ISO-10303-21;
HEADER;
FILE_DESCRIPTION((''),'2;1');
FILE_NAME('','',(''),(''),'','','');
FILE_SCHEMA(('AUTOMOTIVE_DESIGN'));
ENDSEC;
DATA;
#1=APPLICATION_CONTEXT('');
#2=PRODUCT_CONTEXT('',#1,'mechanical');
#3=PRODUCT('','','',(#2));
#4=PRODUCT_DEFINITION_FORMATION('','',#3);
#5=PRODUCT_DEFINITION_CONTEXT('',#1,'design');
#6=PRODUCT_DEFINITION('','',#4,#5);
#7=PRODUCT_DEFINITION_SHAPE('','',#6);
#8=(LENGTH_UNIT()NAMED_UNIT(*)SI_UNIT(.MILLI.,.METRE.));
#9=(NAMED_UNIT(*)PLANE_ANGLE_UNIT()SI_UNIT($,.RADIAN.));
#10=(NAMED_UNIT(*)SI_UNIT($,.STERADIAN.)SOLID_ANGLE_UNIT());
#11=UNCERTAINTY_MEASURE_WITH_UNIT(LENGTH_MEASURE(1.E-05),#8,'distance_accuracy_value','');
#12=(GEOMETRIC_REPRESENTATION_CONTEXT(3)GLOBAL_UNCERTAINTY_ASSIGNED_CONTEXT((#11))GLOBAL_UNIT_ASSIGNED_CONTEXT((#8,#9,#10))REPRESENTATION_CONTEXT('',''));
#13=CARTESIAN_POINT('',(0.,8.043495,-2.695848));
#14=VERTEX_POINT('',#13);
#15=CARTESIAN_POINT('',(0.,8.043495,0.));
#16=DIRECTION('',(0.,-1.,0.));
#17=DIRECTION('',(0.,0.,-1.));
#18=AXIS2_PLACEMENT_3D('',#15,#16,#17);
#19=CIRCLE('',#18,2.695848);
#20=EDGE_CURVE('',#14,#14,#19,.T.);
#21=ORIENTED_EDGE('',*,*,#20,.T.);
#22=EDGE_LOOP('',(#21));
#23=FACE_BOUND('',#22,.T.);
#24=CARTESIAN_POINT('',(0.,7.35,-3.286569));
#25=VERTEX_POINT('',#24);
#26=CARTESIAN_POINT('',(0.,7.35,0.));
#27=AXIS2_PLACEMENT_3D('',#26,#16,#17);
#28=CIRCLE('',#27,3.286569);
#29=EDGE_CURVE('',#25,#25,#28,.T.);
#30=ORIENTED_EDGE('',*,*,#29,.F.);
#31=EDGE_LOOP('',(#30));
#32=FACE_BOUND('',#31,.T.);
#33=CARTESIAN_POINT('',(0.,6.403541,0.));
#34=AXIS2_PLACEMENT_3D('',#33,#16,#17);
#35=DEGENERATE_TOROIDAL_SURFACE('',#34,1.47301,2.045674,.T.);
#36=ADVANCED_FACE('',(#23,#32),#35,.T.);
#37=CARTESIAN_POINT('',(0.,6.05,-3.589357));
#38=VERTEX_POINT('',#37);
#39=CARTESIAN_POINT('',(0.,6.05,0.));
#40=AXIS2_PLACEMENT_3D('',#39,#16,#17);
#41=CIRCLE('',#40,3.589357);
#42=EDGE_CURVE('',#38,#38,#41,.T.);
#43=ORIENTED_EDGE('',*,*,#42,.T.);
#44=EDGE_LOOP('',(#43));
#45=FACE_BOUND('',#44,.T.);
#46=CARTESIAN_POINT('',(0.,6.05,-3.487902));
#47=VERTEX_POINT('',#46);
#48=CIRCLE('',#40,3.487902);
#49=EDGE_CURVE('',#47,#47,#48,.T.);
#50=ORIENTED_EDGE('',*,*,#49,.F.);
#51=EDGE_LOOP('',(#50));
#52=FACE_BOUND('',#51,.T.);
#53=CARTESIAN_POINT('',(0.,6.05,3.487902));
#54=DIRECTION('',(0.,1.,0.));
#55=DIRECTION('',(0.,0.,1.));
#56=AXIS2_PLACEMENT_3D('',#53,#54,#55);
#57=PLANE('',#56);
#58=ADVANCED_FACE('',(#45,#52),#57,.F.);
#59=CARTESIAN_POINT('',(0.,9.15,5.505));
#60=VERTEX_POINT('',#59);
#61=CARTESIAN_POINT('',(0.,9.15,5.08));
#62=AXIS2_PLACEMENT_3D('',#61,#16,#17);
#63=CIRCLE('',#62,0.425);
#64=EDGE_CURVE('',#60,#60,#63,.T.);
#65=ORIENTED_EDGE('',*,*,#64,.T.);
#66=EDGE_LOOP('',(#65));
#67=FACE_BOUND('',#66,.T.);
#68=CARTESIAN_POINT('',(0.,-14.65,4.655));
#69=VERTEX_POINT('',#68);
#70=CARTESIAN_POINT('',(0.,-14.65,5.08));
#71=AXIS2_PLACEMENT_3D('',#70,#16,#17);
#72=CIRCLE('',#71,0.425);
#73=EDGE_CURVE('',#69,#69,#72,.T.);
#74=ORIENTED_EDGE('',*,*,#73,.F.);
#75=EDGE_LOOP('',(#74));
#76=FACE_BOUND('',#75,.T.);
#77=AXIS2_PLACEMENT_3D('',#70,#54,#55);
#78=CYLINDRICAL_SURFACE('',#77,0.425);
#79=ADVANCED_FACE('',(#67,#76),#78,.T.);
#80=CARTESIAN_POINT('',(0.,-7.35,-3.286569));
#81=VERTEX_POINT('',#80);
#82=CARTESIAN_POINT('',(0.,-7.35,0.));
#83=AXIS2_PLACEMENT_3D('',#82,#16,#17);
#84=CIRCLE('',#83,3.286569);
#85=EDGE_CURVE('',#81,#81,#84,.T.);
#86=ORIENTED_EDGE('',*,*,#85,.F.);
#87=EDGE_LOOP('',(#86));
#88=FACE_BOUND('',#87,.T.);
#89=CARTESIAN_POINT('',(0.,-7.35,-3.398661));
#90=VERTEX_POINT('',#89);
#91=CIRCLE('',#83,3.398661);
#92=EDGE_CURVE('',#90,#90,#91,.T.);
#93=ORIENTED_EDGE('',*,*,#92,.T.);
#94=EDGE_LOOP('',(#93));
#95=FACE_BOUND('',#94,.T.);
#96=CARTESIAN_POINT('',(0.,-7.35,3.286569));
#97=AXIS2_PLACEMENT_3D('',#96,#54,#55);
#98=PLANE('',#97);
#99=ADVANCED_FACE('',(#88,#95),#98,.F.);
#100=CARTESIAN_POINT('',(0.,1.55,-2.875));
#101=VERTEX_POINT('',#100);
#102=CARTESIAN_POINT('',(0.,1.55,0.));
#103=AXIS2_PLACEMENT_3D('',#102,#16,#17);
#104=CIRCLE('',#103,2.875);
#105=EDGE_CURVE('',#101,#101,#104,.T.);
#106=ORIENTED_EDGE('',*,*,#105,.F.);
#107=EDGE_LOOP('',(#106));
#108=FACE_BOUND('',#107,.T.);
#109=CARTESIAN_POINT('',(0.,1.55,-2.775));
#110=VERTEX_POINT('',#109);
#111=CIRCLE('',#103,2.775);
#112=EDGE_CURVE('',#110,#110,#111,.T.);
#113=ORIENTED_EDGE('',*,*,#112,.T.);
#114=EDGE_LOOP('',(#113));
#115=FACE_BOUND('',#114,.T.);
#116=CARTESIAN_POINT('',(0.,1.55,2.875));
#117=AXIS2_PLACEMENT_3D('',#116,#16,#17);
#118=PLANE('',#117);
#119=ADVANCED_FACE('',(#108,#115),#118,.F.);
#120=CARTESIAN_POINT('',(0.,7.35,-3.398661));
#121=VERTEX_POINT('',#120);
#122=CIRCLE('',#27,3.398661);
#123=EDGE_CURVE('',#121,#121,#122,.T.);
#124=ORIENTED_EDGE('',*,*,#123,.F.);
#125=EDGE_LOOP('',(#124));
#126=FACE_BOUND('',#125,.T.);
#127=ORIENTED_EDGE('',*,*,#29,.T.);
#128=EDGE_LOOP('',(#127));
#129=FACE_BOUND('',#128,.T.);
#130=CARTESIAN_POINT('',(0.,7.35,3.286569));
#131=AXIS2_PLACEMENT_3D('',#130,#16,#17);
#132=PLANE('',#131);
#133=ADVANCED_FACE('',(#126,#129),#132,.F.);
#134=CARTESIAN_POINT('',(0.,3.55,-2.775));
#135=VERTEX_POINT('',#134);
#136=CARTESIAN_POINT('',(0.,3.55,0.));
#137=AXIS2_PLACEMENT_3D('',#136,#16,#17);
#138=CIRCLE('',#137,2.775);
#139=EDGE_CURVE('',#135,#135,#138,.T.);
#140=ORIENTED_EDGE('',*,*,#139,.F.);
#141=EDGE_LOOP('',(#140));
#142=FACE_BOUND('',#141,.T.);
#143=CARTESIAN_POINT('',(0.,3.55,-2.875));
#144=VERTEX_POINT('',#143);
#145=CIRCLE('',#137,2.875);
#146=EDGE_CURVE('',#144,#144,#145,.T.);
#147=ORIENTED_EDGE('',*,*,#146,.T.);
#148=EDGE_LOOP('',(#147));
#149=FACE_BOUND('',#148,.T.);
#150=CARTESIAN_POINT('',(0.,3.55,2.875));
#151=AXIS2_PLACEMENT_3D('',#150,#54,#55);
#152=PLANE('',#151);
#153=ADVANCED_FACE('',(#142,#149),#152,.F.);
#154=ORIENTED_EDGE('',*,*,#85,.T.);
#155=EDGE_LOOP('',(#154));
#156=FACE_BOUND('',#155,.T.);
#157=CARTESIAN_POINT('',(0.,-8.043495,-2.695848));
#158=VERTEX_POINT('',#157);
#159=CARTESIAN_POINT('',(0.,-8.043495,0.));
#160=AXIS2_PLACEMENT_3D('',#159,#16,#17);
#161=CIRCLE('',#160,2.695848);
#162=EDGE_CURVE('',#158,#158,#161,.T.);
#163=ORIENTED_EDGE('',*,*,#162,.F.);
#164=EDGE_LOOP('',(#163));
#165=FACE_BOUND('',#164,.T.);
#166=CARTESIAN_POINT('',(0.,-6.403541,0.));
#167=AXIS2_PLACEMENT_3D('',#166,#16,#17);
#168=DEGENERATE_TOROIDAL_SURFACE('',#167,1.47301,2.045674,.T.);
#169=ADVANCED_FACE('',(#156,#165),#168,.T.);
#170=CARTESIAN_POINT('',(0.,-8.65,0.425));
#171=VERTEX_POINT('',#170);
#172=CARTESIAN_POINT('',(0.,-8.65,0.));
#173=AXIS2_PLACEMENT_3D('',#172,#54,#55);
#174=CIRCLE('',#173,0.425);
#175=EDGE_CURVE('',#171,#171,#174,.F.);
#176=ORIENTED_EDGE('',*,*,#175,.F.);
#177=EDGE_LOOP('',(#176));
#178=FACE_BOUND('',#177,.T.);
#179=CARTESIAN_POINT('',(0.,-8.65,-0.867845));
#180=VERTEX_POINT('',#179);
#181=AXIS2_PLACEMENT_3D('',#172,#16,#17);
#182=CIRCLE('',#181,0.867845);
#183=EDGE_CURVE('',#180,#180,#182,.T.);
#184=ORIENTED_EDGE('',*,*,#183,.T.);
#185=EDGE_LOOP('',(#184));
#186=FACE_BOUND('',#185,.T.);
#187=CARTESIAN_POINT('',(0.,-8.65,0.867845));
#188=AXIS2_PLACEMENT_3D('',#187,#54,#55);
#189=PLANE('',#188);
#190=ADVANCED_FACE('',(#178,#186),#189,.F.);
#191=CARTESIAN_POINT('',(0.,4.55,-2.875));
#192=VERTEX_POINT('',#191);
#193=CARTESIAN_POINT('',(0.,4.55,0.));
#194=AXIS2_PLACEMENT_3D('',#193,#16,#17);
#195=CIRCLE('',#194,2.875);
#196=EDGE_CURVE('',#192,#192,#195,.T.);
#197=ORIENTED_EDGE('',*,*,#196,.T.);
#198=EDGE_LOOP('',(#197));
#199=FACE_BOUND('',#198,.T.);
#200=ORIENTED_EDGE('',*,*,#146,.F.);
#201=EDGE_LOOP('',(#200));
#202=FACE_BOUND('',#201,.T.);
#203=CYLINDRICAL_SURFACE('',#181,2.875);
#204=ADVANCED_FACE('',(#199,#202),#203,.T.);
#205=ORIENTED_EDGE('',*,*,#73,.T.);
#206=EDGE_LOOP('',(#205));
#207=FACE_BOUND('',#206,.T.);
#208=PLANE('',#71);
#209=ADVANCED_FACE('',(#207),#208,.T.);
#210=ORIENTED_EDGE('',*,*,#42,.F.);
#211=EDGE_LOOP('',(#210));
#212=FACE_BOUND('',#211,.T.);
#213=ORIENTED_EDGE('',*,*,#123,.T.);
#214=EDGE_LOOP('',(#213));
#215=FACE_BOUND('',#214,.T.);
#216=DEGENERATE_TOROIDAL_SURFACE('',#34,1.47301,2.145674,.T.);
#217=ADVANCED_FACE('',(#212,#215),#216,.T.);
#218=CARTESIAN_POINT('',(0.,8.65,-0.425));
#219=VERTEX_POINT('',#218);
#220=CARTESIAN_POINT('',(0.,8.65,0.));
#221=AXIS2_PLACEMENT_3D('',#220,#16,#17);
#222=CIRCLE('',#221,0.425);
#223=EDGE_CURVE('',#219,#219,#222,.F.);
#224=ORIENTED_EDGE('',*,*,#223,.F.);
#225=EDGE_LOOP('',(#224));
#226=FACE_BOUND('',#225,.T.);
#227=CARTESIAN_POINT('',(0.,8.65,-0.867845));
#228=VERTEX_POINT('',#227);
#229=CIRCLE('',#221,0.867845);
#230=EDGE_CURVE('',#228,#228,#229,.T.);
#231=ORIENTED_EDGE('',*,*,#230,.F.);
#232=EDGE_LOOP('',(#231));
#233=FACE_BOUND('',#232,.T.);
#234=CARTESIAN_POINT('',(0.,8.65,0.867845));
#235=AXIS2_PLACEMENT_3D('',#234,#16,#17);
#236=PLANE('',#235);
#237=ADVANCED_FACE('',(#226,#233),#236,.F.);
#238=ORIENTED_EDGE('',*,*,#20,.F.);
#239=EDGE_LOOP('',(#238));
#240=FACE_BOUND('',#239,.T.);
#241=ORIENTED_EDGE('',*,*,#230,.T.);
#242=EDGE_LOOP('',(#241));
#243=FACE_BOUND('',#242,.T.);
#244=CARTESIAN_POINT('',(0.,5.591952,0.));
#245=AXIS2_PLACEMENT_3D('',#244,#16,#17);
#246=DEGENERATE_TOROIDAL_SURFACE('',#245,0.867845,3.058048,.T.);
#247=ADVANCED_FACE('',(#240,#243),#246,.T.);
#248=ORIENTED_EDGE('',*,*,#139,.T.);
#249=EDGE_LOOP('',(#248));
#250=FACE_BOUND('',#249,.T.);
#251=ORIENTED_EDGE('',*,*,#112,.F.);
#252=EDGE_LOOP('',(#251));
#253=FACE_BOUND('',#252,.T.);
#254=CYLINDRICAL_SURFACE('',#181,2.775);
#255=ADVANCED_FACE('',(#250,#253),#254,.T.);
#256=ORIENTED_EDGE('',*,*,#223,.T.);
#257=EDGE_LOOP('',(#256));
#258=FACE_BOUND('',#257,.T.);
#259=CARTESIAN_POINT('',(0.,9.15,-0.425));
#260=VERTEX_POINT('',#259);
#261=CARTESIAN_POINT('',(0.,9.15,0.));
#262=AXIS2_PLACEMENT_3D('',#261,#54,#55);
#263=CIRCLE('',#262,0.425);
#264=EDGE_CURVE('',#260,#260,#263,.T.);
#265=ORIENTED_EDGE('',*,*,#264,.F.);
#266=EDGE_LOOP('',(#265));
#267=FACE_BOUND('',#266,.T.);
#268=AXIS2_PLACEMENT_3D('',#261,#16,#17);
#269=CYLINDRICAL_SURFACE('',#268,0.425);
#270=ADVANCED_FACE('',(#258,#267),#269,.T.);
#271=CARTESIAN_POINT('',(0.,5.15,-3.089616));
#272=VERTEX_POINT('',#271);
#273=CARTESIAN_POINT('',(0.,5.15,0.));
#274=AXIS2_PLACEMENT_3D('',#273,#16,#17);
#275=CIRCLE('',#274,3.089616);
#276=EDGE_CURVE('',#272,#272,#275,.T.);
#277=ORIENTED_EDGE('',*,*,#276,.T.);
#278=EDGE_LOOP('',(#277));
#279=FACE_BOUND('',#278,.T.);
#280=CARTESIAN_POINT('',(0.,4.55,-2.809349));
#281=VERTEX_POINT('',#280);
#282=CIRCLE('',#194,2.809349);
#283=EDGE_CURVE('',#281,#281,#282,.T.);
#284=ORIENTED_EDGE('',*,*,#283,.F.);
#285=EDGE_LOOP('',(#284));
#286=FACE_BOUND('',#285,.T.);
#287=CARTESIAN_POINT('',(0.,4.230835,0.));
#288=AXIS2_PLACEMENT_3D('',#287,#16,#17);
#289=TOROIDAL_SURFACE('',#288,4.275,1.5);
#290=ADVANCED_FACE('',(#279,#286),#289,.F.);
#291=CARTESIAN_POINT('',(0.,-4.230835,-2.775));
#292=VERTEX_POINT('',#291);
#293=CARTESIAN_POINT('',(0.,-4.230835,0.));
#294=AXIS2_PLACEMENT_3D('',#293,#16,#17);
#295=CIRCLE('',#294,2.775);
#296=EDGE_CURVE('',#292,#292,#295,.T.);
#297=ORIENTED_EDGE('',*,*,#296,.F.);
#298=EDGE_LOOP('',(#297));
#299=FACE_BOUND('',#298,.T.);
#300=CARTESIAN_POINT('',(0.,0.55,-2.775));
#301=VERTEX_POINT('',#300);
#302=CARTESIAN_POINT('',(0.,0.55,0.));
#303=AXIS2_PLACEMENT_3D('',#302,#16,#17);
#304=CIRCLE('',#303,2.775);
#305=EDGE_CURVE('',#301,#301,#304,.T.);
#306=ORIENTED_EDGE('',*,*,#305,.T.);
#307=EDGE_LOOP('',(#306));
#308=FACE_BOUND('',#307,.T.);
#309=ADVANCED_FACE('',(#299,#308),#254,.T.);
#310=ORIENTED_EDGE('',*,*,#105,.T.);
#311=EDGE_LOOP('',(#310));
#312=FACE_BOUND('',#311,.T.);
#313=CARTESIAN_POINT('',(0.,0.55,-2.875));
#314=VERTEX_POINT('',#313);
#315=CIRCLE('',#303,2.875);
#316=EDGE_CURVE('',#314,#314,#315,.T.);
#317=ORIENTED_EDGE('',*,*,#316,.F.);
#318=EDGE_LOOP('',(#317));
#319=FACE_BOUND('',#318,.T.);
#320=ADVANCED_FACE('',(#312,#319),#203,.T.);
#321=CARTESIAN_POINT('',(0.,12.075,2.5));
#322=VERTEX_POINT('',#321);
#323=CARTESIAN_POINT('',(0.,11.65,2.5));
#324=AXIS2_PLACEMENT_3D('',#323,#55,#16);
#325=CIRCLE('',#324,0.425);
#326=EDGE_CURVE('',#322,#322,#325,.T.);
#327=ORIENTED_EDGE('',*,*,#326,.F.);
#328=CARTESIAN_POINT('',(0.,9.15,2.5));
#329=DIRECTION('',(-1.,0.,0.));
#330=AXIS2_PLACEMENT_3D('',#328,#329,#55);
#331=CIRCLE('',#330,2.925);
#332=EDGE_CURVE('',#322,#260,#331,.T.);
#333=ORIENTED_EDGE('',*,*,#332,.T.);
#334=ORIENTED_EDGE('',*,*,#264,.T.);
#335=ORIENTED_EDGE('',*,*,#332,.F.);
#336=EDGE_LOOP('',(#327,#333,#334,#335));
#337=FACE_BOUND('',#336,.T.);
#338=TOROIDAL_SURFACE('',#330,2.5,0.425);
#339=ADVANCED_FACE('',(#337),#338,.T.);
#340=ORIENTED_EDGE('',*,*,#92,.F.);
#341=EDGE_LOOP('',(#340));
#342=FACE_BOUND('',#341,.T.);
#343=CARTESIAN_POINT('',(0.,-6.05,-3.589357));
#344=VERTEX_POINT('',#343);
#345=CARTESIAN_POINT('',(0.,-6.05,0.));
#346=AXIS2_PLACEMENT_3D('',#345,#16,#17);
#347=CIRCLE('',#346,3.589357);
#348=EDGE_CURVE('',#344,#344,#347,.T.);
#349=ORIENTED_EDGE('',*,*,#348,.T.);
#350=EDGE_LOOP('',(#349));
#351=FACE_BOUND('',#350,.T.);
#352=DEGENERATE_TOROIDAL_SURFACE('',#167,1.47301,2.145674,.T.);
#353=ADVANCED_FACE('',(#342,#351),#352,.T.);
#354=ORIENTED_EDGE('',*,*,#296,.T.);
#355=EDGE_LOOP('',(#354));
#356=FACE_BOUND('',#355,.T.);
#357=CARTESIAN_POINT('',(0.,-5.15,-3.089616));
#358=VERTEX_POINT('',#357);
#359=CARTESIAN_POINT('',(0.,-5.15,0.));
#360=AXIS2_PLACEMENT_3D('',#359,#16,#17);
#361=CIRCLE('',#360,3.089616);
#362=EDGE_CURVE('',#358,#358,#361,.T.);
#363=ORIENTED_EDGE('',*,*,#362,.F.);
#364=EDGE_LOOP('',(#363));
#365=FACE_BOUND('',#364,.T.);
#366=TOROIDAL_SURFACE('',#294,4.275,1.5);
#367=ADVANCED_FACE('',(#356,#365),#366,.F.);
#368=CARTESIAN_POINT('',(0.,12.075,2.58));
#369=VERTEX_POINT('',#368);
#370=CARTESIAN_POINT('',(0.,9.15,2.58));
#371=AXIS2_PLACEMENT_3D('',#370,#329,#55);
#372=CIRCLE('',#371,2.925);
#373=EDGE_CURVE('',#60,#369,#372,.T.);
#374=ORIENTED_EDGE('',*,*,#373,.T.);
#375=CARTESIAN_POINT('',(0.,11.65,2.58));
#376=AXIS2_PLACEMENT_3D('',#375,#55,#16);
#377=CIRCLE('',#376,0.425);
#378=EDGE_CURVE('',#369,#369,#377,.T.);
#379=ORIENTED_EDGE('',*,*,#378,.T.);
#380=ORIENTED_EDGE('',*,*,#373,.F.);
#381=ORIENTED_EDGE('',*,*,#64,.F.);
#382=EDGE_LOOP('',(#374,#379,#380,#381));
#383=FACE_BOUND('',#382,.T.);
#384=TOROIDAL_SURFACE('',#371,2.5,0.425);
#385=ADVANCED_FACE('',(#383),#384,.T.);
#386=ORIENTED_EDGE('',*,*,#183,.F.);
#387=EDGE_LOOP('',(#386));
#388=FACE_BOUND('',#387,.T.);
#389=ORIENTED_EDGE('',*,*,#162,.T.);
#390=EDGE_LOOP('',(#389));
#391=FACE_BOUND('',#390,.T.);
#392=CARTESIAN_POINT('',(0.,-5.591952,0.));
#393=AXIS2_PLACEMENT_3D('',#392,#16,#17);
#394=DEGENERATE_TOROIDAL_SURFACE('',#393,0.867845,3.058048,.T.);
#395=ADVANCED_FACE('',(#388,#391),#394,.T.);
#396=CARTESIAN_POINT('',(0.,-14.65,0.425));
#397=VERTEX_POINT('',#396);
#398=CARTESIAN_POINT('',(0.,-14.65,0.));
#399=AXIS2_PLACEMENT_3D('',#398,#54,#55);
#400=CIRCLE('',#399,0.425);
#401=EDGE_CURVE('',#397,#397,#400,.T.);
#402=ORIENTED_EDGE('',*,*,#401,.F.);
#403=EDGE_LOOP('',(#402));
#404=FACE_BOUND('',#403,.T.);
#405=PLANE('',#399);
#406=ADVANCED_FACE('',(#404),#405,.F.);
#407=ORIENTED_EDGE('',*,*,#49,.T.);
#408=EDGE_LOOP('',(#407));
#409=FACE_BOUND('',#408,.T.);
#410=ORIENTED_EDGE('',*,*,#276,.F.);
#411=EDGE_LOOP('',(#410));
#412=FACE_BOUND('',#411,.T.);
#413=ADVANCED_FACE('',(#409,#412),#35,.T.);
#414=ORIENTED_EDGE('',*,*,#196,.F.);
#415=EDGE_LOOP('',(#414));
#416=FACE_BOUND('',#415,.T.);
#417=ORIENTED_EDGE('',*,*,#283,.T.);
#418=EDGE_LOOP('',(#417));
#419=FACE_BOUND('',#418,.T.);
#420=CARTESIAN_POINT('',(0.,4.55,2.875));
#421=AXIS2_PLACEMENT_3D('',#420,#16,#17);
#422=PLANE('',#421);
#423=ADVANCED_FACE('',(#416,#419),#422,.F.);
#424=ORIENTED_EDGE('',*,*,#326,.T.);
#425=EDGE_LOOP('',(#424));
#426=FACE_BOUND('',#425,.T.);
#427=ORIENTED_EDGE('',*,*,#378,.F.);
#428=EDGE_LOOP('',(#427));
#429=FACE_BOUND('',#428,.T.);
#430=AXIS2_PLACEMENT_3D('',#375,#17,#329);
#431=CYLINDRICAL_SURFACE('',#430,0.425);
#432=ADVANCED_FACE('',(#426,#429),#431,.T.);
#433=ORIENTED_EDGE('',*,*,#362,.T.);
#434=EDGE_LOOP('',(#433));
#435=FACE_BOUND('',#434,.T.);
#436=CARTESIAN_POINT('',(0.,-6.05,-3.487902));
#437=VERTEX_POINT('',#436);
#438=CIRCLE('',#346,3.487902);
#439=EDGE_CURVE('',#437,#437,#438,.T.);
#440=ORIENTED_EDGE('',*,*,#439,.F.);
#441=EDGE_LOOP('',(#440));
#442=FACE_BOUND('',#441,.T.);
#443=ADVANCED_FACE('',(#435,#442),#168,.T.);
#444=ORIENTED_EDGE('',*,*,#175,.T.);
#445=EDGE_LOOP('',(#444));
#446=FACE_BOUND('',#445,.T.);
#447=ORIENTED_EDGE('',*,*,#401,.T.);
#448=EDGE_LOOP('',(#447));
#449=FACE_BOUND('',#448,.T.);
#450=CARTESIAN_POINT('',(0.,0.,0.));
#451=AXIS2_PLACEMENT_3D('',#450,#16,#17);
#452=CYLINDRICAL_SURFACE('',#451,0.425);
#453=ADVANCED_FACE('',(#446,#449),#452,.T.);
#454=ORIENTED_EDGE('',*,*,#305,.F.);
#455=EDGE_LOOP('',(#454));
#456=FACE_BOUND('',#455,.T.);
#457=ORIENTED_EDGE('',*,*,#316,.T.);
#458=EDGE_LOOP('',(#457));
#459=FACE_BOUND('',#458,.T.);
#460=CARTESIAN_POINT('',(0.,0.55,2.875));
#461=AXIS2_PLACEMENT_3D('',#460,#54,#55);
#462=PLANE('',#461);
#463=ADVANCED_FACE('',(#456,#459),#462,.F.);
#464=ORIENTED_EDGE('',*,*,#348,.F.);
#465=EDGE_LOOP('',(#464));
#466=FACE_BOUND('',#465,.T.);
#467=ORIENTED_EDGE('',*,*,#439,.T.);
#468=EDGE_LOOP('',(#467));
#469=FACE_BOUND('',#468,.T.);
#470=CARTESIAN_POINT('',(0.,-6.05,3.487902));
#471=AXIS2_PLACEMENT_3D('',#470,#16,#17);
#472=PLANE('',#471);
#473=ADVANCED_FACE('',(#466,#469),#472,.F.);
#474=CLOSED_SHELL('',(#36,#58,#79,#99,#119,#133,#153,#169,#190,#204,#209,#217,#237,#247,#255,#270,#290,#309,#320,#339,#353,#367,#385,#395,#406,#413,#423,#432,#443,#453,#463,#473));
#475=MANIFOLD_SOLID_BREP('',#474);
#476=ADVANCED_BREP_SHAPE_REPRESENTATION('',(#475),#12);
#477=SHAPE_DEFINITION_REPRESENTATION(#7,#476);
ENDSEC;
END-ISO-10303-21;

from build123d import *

# Parameters (mm, degrees)
SWEEP1_PROFILE_R = 0.425


with BuildPart() as part:
    # Sketch1 → Revolve1 (revolve)
    with BuildSketch(Plane(origin=(0, 0, 0), x_dir=(0, 0, -1), z_dir=(1, 0, 0)), mode=Mode.PRIVATE) as revolve1_sk:
        with BuildLine():
            Line((-2.775, -4.23083487), (-2.775, 0.55))
            Line((-2.775, 0.55), (-2.875, 0.55))
            Line((-2.875, 0.55), (-2.875, 1.55))
            Line((-2.875, 1.55), (-2.775, 1.55))
            Line((-2.775, 1.55), (-2.775, 3.55))
            Line((-2.775, 3.55), (-2.875, 3.55))
            Line((-2.875, 3.55), (-2.875, 4.55))
            Line((-2.875, 4.55), (-2.809348739, 4.55))
            ThreePointArc((-2.809348739, 4.55), (-2.915957278, 4.865659947), (-3.089615901, 5.15))
            ThreePointArc((-3.089615901, 5.15), (-3.34369004, 5.575690752), (-3.487901766, 6.05))
            Line((-3.487901766, 6.05), (-3.589356744, 6.05))
            ThreePointArc((-3.589356744, 6.05), (-3.595964536, 6.714955812), (-3.398660777, 7.35))
            Line((-3.398660777, 7.35), (-3.28656899, 7.35))
            ThreePointArc((-3.28656899, 7.35), (-3.030302783, 7.730047811), (-2.695848299, 8.043494625))
            ThreePointArc((-2.695848299, 8.043494625), (-1.830840994, 8.494415831), (-0.867845076, 8.65))
            Line((-0.867845076, 8.65), (0, 8.65))
            Line((0, 8.65), (0, -8.65))
            Line((0, -8.65), (-0.867845076, -8.65))
            ThreePointArc((-0.867845076, -8.65), (-1.830840994, -8.494415831), (-2.695848299, -8.043494625))
            ThreePointArc((-2.695848299, -8.043494625), (-3.030302783, -7.730047811), (-3.28656899, -7.35))
            Line((-3.28656899, -7.35), (-3.398660777, -7.35))
            ThreePointArc((-3.398660777, -7.35), (-3.595964536, -6.714955812), (-3.589356744, -6.05))
            Line((-3.589356744, -6.05), (-3.487901766, -6.05))
            ThreePointArc((-3.487901766, -6.05), (-3.34369004, -5.575690752), (-3.089615901, -5.15))
            ThreePointArc((-3.089615901, -5.15), (-2.855831908, -4.716593992), (-2.775, -4.23083487))
        make_face()
    revolve(revolve1_sk.sketch.rotate(Axis((0, -8.65, 0), (0, 1, 0)), 180), axis=Axis((0, -8.65, 0), (0, 1, 0)))

    # Sweep1: sweep along a path in Sketch2
    with BuildLine(Plane(origin=(0, 0, 0), x_dir=(0, 0, -1), z_dir=(1, 0, 0))) as sweep1_path:
        Line((-5.08, -14.65), (-5.08, 9.15))
        ThreePointArc((-5.08, 9.15), (-4.347766953, 10.917766953), (-2.58, 11.65))
        Line((-2.58, 11.65), (-2.5, 11.65))
        ThreePointArc((-2.5, 11.65), (-0.732233047, 10.917766953), (0, 9.15))
        Line((0, 9.15), (0, 0))
        Line((0, 0), (0, -14.65))
    # Sweep1 profile (on start of the path) → Sweep1 (sweep)
    with BuildSketch(Plane(origin=(0, -14.65, 5.08), x_dir=(0, 0, 1), z_dir=(0, 1, 0))):
        Circle(SWEEP1_PROFILE_R)
    sweep(path=sweep1_path.line)


solid = part.part
